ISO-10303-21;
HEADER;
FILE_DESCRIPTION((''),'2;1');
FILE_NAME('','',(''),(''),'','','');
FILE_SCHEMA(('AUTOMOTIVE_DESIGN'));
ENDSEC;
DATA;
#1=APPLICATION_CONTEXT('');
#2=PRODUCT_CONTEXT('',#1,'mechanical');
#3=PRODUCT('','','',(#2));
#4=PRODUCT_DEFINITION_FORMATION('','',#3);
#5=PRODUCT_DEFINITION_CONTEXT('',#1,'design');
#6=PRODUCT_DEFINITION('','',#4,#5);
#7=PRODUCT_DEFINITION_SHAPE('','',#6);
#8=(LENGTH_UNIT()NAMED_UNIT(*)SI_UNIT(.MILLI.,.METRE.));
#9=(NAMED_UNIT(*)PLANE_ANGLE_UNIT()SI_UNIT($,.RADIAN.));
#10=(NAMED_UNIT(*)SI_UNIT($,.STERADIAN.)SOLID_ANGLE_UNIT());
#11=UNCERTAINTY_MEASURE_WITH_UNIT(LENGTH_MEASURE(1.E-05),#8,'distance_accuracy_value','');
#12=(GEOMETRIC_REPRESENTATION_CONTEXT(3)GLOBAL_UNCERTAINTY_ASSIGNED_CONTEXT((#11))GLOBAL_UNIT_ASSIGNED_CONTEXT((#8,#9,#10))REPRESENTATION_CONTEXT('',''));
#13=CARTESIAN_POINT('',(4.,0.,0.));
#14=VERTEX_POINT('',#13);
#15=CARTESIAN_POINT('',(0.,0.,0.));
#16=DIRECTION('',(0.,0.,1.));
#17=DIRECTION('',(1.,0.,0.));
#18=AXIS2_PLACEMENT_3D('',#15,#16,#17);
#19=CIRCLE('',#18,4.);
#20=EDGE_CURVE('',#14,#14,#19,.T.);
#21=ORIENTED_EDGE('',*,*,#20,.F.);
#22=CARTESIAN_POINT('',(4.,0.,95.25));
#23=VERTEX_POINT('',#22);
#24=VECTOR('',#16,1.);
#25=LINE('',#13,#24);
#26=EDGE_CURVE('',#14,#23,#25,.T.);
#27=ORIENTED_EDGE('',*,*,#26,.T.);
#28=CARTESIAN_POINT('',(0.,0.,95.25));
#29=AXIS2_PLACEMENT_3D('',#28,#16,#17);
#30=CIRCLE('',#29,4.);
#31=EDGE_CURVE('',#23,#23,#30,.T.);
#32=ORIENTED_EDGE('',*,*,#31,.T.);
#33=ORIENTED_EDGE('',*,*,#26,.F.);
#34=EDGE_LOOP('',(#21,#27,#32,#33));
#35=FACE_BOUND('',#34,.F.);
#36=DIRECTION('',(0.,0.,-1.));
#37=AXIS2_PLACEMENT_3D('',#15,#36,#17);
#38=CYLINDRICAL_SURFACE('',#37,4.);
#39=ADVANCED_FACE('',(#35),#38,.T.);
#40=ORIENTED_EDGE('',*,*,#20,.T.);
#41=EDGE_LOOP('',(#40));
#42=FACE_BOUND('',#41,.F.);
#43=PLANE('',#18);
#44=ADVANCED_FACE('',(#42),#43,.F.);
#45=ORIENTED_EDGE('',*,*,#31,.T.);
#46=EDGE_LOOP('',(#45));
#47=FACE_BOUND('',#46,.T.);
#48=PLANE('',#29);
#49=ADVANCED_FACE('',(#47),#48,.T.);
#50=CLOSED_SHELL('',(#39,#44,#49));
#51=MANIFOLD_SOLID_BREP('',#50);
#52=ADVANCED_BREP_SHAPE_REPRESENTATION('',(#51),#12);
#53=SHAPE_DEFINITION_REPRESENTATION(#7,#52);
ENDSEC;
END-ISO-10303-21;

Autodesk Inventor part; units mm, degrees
ref_plane "YZ Plane" through (0, 0, 0) normal (1, 0, 0) x (0, 1, 0)
ref_plane "XZ Plane" through (0, 0, 0) normal (0, 1, 0) x (-1, 0, 0)
ref_plane "XY Plane" through (0, 0, 0) normal (0, 0, 1) x (1, 0, 0)
sketch "Sketch1" plane through (0, 0, 0) normal (0, 0, 1) x (1, 0, 0)
  circle A0 centre (0, 0) radius 4
  dimension "d0" = 8
extrude "Extrusion1" add sketch "Sketch1" along normal blind 95.25
properties part number "Diff Side Shafts"
